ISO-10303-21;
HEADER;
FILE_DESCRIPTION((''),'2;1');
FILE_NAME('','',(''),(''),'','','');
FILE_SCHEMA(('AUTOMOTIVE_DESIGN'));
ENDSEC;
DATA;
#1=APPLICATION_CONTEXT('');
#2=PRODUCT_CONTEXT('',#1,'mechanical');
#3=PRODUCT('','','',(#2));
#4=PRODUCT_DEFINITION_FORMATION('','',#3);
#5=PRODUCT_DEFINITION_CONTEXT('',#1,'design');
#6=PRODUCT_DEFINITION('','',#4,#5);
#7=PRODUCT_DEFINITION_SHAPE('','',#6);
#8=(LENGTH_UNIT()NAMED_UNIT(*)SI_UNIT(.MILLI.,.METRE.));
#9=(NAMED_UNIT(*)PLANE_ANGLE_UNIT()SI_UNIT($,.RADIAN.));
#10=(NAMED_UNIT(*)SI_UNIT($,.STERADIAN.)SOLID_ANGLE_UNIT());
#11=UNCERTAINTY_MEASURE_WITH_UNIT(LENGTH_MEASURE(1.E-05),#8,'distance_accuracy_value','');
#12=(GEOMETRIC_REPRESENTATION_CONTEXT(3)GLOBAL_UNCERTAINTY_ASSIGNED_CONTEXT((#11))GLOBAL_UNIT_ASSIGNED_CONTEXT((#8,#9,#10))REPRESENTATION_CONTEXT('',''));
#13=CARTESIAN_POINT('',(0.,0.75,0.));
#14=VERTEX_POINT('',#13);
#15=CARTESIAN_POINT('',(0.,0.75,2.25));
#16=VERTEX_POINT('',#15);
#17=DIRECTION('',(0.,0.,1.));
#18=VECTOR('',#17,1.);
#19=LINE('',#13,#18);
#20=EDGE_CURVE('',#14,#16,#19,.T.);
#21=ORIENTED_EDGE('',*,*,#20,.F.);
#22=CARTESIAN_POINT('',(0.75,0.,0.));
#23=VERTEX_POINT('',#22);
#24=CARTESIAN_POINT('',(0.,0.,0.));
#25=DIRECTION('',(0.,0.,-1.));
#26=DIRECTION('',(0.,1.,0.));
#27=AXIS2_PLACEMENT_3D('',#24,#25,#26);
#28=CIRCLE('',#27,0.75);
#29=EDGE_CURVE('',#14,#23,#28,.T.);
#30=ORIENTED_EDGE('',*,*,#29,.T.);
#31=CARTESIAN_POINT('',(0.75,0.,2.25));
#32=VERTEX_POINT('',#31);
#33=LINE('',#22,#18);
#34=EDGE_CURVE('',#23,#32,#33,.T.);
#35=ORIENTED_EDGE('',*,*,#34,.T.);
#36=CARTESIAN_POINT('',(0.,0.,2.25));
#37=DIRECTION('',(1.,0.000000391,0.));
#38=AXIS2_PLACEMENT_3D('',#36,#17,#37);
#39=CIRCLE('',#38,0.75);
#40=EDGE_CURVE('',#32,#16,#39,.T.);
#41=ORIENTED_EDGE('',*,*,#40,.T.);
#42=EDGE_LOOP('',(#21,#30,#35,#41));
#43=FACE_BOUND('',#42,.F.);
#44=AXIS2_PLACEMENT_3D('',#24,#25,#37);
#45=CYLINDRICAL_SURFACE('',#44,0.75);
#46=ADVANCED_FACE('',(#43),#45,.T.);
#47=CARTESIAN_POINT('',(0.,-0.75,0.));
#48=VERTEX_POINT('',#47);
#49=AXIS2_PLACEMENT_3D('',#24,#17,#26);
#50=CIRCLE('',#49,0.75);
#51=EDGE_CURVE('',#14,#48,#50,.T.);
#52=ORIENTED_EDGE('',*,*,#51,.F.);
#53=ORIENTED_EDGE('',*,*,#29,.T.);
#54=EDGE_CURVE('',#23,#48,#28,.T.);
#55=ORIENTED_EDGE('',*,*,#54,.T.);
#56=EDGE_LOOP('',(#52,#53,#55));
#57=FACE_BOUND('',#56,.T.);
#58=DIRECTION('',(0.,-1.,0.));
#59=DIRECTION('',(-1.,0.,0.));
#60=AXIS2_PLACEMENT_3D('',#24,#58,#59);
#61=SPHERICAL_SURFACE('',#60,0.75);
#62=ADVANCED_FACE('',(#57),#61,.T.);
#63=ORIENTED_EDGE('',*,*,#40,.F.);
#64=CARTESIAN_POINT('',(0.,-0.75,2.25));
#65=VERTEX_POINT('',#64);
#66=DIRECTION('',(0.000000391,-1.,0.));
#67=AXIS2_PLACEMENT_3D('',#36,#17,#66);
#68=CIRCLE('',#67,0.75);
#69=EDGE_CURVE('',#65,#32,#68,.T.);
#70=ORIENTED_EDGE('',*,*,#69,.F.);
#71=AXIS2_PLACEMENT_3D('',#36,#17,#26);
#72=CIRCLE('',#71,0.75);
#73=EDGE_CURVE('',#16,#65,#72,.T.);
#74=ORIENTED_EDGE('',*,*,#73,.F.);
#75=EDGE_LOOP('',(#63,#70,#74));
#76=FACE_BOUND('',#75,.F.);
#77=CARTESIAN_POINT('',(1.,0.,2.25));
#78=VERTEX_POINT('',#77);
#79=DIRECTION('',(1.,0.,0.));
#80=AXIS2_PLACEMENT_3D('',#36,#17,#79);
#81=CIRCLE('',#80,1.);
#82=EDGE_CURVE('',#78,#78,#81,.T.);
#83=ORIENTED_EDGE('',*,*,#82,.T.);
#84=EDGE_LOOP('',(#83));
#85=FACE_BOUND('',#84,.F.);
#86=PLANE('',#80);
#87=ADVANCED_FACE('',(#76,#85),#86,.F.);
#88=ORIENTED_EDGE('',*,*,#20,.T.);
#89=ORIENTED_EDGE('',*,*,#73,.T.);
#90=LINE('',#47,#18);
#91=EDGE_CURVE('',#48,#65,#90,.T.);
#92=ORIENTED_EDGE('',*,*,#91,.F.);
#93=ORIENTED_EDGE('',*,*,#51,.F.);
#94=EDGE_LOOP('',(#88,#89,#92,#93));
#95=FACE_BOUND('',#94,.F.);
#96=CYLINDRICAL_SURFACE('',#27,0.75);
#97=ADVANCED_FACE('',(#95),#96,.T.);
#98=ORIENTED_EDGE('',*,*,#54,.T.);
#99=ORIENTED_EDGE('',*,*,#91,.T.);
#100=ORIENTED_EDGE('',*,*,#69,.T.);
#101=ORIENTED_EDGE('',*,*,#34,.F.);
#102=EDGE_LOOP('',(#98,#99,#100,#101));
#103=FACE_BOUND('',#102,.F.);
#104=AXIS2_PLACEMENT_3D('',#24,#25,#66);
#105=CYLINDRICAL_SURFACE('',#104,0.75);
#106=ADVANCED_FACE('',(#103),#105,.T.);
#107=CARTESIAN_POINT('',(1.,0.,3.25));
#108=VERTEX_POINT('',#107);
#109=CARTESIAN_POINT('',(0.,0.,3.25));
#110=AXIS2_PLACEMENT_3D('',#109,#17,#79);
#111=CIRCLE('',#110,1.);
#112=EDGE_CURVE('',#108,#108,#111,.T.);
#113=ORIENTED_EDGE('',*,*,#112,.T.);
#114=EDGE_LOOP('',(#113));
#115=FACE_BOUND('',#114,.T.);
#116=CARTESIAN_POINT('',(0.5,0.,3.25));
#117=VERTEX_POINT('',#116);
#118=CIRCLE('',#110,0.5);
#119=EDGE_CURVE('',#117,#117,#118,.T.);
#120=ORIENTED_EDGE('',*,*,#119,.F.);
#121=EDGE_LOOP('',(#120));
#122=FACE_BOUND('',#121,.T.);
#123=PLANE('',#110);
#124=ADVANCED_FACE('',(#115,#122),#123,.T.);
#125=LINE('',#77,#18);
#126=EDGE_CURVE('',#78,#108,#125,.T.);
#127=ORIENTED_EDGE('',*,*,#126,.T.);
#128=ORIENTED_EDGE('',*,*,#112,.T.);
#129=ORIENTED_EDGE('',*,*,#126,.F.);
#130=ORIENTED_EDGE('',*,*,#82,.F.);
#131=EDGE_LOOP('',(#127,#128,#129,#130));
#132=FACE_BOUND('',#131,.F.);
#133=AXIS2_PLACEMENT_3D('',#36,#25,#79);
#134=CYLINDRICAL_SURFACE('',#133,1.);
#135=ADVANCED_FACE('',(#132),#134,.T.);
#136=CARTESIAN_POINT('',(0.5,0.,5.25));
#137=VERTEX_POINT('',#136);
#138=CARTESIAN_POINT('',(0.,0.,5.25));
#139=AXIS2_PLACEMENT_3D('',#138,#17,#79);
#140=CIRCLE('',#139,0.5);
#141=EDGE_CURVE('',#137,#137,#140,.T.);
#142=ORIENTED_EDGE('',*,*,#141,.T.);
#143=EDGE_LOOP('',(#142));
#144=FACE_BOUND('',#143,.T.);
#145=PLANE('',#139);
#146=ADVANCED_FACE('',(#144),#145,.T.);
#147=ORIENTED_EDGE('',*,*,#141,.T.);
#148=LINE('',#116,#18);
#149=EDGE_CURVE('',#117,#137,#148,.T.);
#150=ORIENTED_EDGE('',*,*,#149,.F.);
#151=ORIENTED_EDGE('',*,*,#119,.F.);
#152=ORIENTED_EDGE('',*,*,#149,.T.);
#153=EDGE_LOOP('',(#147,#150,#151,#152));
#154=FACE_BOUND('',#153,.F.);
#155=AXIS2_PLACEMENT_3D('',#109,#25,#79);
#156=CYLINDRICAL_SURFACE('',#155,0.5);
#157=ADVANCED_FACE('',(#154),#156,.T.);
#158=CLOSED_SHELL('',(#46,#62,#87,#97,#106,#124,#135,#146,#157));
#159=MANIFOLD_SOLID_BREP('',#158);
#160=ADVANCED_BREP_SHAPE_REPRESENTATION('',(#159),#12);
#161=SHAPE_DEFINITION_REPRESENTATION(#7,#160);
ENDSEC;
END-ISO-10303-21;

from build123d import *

# Parameters (mm, degrees)
F1_ANGLE = 180
F2_DEPTH = 2.25
F3_R     = 1
F4_DEPTH = 1
F5_R     = 0.5
F6_DEPTH = 2


with BuildPart() as f1:
    # F0 (on Top) → F1 (revolve)
    with BuildSketch(Plane.XY):
        with BuildLine():
            Line((0, -0.75), (0, 0.75))
            ThreePointArc((0, 0.75), (-0.75, 0), (0, -0.75))
        make_face()
    revolve(axis=Axis((0, 0, 0), (0, -1, 0)), revolution_arc=F1_ANGLE)

    # F0 (on Top) → F2 (join)
    with BuildSketch(Plane.XY):
        with BuildLine():
            ThreePointArc((0, -0.75), (0.53033, -0.53033), (0.75, 0))
            ThreePointArc((0.75, 0), (0.53033, 0.53033), (0, 0.75))
            Line((0, 0.75), (0, -0.75))
        make_face()
        with BuildLine():
            Line((0, -0.75), (0, 0.75))
            ThreePointArc((0, 0.75), (-0.75, 0), (0, -0.75))
        make_face()
    extrude(amount=F2_DEPTH)

    # F3 (on face) → F4 (join)
    with BuildSketch(Plane.XY.offset(2.25)):
        Circle(F3_R)
    extrude(amount=F4_DEPTH)

    # F5 (on face) → F6 (join)
    with BuildSketch(Plane.XY.offset(3.25)):
        Circle(F5_R)
    extrude(amount=F6_DEPTH)


solid = f1.part
